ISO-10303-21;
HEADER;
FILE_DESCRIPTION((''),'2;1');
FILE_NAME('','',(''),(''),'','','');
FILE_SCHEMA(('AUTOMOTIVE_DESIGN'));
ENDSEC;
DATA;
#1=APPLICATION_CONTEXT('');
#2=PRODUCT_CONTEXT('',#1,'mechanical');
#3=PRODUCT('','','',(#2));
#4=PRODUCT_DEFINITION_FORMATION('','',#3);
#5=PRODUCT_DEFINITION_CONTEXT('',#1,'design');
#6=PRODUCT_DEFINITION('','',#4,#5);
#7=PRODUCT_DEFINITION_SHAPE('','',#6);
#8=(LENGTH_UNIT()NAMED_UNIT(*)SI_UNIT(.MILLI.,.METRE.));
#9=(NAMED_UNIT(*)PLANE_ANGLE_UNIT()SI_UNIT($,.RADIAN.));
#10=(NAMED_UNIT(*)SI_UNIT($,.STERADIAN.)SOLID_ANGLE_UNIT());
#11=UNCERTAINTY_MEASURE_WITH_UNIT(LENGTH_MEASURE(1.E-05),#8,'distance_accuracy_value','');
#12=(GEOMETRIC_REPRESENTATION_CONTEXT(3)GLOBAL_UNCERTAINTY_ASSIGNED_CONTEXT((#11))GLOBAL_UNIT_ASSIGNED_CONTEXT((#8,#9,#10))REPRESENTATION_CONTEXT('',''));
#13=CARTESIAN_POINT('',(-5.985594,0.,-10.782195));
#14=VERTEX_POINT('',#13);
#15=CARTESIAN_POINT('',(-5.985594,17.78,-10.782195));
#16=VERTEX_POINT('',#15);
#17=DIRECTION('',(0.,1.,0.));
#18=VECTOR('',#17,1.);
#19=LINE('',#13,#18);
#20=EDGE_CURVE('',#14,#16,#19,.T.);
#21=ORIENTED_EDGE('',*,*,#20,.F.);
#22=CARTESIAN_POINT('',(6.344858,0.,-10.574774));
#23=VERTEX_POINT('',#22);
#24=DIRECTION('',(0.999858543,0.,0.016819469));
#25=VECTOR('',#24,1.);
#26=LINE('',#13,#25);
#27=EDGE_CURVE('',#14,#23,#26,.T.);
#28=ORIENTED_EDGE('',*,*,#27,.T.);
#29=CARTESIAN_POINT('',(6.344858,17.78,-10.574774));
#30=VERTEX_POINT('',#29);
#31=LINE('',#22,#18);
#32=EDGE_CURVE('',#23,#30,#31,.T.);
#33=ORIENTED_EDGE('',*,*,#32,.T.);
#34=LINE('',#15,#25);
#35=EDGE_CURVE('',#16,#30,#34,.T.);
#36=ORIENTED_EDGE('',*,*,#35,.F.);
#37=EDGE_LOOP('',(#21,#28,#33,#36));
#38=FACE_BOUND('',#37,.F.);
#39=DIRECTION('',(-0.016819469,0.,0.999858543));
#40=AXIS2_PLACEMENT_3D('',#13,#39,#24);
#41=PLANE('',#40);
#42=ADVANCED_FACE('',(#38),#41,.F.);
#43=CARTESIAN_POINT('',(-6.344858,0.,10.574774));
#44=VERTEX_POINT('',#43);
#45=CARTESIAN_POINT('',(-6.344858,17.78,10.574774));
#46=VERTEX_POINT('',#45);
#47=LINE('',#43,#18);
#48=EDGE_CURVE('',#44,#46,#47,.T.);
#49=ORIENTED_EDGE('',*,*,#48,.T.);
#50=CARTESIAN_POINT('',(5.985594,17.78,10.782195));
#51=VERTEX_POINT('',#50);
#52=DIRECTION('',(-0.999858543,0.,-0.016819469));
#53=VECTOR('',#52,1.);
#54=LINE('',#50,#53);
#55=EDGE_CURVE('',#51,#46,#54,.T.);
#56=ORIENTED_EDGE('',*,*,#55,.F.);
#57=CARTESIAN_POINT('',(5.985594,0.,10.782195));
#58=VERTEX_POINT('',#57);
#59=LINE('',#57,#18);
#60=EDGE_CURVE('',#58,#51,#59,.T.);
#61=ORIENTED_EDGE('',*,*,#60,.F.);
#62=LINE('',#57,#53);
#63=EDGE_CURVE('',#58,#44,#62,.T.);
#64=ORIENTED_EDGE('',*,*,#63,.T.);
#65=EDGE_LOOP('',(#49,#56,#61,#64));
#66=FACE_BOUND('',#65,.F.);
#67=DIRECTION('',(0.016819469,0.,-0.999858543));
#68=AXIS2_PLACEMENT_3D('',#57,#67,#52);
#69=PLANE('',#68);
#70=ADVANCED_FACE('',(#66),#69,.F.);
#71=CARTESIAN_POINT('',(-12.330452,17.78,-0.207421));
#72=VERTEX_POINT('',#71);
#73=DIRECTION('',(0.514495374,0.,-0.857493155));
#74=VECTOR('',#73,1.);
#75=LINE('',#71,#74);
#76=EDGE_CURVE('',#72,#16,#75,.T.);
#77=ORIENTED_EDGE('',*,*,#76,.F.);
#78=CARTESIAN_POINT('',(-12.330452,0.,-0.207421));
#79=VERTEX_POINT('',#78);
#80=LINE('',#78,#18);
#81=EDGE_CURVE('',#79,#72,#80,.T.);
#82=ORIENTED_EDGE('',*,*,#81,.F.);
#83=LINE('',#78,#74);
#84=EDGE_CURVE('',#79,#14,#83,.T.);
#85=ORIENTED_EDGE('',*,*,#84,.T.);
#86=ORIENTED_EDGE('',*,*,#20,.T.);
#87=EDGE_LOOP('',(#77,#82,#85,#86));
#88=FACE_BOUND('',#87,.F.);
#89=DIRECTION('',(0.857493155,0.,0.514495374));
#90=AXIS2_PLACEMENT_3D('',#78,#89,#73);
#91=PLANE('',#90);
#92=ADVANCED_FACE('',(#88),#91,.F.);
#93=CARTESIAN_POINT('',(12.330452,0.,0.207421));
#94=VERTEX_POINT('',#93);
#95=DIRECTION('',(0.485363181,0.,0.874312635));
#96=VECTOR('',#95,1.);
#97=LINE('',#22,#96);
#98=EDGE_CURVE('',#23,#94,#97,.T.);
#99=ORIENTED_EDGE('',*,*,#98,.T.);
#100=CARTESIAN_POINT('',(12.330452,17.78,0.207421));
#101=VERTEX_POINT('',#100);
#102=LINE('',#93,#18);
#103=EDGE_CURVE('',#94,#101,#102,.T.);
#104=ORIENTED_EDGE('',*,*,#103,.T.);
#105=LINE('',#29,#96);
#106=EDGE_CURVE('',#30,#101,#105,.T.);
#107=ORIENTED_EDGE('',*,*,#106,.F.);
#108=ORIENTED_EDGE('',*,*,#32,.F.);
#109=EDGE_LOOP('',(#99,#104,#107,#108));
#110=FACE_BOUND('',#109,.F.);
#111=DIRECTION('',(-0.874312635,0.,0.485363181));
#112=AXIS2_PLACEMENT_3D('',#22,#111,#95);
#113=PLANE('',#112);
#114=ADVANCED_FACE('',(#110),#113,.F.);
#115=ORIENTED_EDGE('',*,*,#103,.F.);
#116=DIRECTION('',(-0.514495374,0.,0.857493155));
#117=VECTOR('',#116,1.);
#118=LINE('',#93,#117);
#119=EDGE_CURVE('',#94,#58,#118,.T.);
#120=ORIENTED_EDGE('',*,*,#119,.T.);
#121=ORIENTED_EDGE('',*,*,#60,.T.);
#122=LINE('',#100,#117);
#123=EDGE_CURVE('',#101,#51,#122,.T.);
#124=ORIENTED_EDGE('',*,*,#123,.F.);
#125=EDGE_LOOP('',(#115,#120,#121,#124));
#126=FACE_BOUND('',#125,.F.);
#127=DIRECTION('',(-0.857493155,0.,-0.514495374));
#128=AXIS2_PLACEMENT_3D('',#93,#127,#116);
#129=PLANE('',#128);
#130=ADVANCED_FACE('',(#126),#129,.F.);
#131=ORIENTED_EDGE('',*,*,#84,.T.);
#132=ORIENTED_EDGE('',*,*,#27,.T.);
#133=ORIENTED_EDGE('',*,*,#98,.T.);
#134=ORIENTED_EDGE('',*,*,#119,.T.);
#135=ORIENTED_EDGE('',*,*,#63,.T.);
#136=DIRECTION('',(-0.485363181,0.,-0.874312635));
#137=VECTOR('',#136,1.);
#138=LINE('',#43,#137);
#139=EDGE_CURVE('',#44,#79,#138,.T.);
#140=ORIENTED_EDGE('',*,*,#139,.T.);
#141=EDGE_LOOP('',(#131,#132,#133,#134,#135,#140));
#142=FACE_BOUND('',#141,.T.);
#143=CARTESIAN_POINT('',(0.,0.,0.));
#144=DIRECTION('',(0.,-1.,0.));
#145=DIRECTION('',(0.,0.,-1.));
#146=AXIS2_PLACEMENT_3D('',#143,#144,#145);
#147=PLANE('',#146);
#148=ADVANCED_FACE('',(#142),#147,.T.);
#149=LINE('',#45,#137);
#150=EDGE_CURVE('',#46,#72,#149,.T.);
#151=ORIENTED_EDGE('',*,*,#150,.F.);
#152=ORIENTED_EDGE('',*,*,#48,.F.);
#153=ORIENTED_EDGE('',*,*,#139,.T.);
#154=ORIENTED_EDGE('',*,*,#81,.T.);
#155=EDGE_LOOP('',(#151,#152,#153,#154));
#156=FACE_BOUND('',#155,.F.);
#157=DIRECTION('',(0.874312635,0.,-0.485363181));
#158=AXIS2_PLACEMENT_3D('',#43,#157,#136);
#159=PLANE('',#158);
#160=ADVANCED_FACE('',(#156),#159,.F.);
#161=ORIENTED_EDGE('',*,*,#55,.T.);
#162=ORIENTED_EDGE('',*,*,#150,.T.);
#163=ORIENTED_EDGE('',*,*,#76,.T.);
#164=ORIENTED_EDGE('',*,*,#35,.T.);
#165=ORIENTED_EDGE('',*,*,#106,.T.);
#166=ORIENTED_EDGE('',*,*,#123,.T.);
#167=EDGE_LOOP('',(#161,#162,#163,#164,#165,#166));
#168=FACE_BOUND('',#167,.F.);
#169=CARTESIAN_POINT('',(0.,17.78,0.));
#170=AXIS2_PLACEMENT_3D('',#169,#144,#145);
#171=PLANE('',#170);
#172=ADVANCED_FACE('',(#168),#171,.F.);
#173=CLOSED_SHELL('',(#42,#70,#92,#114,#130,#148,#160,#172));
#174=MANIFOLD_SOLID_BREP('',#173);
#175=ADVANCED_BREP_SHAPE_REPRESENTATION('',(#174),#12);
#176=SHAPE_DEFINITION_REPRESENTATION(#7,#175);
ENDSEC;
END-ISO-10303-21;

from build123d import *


with BuildPart() as f2:
    # F2: sweep along a path in F1
    with BuildLine(Plane.XY) as f2_path:
        Line((0, 0), (0, 17.78))
    # F0 (on Front) → F2 (sweep)
    with BuildSketch(Plane.XZ):
        Polygon((12.330452, 0.207421), (5.985594, 10.782195), (-6.344858, 10.574774), (-12.330452, -0.207421), (-5.985594, -10.782195), (6.344858, -10.574774), align=None)
    sweep(path=f2_path.line)


solid = f2.part
